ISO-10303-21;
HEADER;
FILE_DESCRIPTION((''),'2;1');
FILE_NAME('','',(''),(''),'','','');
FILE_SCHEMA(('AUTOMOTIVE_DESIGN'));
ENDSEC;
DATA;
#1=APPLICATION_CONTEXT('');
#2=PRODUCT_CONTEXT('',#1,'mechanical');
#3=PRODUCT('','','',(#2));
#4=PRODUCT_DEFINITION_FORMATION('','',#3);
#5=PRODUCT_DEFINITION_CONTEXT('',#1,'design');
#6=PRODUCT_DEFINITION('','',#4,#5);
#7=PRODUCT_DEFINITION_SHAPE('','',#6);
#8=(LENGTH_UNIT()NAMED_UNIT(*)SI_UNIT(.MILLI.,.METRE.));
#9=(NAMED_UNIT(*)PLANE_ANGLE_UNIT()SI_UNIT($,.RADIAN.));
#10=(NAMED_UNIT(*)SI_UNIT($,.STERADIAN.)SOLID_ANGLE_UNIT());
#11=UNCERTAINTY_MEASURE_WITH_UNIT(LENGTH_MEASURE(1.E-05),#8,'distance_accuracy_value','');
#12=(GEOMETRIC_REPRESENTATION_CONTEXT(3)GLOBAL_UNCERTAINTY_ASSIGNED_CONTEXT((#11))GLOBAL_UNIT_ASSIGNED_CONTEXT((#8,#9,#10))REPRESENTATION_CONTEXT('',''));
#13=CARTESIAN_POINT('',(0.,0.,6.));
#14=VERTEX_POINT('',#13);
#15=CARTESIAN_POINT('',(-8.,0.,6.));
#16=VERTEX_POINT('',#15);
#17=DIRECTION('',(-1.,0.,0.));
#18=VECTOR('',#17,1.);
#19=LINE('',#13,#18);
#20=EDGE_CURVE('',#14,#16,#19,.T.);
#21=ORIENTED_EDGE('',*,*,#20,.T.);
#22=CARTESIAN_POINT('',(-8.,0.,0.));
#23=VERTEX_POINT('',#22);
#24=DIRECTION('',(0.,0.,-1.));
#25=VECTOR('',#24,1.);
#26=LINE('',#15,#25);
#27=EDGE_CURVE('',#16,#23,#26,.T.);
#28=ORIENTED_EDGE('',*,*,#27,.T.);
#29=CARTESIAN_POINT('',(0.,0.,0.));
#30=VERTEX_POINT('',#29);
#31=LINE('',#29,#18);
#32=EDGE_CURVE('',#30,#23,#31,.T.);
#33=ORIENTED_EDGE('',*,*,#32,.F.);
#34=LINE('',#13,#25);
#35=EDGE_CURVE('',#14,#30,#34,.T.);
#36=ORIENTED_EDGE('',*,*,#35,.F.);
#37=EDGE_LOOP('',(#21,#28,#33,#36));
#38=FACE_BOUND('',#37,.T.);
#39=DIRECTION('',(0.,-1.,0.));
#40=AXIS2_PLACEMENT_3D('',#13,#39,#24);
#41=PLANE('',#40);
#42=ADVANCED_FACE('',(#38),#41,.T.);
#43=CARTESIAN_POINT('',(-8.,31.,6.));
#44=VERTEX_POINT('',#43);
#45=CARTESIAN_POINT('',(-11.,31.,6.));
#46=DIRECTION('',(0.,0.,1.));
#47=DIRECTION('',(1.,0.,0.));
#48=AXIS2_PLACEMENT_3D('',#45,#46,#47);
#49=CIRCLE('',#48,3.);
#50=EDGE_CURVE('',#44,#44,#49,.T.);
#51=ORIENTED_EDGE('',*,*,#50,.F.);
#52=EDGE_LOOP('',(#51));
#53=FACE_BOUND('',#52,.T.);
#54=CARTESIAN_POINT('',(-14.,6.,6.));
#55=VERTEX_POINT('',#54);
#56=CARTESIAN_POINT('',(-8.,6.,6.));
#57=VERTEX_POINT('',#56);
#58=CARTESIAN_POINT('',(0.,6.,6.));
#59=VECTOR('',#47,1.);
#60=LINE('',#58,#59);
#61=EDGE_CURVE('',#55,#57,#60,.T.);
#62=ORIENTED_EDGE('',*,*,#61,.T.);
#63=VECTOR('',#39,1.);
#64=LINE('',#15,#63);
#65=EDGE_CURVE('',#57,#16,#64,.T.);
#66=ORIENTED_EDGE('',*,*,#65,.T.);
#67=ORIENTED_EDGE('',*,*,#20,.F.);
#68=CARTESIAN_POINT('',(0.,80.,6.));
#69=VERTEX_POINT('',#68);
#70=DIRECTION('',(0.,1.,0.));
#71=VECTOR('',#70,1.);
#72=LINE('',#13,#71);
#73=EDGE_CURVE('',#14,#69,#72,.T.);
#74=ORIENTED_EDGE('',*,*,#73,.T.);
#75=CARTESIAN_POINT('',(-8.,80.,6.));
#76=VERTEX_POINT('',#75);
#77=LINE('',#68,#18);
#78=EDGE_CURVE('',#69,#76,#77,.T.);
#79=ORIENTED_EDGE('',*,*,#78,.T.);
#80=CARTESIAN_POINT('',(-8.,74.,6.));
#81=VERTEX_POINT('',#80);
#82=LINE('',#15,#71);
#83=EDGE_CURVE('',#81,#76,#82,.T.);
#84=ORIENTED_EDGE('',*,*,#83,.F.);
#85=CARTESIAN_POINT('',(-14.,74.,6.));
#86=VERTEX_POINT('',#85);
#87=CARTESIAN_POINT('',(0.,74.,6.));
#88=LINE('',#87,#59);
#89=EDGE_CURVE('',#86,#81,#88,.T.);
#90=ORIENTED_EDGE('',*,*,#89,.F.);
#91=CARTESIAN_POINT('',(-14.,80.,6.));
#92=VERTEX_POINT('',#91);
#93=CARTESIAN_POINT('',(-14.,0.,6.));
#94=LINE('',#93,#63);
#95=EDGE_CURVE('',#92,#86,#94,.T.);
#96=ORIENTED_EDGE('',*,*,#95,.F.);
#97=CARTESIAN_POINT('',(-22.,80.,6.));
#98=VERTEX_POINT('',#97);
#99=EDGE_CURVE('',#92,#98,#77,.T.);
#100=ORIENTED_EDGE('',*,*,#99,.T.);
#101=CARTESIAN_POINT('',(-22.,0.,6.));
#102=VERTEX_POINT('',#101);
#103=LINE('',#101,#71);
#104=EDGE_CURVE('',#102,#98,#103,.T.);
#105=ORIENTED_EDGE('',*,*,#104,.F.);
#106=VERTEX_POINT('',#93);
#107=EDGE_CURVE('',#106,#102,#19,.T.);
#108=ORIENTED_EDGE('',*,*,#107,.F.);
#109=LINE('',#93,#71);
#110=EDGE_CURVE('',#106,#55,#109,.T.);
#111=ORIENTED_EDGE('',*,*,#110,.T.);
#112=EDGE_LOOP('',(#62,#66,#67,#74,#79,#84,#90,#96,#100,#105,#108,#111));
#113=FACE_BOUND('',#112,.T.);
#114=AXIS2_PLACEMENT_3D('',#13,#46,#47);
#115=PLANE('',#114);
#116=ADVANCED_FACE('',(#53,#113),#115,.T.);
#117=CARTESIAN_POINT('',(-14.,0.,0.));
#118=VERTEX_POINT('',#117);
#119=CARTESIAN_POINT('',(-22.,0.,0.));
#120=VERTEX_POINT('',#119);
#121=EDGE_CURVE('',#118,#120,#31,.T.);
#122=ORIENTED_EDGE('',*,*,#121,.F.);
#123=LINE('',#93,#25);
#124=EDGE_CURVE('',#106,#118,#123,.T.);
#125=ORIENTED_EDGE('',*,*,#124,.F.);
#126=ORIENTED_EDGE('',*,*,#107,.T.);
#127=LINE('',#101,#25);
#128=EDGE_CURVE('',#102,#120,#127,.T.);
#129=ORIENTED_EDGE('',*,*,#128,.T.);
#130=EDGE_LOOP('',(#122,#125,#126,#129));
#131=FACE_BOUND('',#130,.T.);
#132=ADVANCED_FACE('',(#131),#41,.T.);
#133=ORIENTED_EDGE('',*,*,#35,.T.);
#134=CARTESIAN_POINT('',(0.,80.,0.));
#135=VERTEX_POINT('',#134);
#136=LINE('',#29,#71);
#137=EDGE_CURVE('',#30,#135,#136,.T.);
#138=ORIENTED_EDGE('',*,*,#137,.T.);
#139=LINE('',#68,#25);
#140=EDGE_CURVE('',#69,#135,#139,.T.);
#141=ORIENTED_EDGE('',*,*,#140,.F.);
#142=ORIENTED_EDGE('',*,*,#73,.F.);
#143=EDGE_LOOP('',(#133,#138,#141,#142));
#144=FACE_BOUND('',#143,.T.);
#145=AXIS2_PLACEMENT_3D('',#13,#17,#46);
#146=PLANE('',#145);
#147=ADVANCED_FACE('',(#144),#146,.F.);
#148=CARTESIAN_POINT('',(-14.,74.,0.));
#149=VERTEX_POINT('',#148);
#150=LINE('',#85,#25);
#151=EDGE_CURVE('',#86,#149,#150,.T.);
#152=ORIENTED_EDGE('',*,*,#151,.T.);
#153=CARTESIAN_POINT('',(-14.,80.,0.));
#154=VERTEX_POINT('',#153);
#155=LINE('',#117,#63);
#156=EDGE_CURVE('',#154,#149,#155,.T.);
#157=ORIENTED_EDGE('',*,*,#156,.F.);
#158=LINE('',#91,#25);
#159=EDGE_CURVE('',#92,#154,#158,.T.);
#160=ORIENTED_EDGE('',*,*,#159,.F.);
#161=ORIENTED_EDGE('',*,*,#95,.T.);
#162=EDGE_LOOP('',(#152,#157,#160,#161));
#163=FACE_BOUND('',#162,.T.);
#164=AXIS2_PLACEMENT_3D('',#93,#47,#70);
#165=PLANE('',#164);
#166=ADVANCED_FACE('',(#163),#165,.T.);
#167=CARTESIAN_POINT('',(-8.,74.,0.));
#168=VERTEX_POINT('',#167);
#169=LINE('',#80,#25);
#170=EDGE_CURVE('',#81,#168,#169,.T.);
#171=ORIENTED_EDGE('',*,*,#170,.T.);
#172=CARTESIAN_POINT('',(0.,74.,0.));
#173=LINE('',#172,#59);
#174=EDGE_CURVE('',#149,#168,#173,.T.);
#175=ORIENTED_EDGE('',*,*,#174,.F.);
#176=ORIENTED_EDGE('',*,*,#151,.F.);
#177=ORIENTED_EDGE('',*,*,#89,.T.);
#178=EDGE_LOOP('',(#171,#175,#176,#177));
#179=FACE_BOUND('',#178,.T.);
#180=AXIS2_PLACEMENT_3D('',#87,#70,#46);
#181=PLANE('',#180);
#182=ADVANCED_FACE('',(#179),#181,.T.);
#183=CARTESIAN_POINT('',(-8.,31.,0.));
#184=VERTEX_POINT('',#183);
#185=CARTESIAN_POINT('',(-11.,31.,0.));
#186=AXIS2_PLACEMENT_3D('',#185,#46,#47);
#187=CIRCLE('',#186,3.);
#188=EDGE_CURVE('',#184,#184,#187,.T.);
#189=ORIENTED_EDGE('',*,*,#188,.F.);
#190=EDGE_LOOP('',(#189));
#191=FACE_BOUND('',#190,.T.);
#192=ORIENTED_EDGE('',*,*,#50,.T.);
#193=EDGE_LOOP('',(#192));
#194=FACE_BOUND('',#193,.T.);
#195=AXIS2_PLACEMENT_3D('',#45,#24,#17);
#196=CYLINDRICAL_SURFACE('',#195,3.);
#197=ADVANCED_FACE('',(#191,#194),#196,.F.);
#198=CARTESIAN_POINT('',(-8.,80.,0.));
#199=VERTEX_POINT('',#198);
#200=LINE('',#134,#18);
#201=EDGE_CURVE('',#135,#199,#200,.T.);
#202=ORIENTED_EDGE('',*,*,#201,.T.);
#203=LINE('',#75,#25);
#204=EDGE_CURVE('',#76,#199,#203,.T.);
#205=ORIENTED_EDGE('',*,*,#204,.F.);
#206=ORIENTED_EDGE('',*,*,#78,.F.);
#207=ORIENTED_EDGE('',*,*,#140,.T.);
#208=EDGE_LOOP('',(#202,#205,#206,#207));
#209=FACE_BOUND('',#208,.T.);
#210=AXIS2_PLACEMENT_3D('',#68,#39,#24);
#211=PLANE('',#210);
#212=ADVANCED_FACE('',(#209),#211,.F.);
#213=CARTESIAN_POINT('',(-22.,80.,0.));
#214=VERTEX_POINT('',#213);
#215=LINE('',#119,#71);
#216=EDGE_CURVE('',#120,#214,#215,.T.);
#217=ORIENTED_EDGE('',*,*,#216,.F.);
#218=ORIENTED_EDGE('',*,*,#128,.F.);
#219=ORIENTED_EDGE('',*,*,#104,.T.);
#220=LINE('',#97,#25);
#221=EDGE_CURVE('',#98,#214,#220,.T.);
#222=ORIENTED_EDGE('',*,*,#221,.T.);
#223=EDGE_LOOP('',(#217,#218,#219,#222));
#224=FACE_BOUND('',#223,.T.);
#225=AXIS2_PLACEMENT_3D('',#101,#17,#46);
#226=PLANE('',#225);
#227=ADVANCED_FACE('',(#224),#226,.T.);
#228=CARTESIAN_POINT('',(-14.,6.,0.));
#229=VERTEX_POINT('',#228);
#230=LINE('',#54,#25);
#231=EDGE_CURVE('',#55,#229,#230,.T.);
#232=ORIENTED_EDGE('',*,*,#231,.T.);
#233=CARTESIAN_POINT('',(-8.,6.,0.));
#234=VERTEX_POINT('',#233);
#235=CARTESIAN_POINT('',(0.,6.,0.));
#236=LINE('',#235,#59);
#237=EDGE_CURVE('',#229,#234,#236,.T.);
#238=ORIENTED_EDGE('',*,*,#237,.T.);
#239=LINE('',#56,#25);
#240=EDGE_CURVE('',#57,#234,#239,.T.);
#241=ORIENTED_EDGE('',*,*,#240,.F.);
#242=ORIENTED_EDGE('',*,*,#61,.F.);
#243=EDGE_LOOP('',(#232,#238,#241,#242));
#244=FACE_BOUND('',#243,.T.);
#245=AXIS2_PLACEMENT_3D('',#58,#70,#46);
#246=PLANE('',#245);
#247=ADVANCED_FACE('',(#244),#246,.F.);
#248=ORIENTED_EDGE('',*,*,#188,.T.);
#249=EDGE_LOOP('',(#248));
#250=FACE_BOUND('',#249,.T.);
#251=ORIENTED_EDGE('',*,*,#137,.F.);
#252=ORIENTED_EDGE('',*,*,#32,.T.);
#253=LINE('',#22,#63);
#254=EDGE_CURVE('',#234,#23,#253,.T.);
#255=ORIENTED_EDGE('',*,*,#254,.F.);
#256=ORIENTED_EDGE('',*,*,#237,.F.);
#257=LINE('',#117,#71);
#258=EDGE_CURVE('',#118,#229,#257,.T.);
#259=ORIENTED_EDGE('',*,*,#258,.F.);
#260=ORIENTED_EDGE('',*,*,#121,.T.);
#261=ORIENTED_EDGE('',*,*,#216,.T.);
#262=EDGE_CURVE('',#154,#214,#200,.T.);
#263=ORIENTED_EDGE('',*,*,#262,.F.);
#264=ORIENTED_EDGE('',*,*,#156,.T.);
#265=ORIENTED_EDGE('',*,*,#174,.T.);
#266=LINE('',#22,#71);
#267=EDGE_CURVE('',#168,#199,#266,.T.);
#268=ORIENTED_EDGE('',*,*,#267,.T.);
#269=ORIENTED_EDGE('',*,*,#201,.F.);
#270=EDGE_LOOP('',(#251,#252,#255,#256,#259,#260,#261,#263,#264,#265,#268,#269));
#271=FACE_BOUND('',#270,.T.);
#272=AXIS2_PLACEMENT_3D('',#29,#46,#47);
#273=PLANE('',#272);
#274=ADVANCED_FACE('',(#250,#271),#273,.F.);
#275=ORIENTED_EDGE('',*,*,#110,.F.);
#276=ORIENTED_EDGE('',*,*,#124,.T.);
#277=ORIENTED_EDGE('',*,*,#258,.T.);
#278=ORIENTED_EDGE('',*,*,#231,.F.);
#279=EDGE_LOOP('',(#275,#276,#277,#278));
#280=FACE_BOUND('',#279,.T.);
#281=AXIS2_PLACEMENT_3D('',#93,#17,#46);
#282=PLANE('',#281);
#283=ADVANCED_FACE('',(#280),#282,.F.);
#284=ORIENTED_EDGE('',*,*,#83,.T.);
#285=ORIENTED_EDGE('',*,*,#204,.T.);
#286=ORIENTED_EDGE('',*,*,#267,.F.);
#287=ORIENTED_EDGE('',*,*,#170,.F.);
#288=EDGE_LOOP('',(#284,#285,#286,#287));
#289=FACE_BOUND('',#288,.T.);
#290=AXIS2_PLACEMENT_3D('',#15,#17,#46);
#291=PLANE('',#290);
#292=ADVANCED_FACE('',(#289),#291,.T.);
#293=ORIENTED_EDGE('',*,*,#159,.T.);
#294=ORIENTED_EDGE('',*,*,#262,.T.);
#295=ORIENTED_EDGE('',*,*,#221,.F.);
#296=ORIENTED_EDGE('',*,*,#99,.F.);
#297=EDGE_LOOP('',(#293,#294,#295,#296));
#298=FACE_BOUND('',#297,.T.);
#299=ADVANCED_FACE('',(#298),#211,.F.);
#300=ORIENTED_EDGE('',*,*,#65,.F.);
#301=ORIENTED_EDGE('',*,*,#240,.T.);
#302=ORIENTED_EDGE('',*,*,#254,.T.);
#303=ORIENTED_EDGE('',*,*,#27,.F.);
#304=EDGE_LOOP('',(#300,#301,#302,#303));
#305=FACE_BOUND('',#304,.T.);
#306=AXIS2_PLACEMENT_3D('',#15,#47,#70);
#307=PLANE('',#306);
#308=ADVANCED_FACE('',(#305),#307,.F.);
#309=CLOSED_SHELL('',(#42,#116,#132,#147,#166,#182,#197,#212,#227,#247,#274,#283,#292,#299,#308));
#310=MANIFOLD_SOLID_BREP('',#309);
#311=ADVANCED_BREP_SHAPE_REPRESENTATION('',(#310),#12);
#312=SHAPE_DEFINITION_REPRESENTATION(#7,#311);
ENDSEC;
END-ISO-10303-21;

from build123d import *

# Parameters (mm, degrees)
ESQUISSE1_R        = 3
BOSS_EXTRU_1_DEPTH = 6


with BuildPart() as part:
    # Esquisse1 → Boss.-Extru.1 (new body)
    with BuildSketch(Plane.XY):
        Polygon((-14, 74), (-14, 80), (-22, 80), (-22, 0), (-14, 0), (-14, 6), (-8, 6), (-8, 0), (0, 0), (0, 80), (-8, 80), (-8, 74), align=None)
        with Locations((-11, 31)):
            Circle(ESQUISSE1_R, mode=Mode.SUBTRACT)
    extrude(amount=BOSS_EXTRU_1_DEPTH)


solid = part.part
